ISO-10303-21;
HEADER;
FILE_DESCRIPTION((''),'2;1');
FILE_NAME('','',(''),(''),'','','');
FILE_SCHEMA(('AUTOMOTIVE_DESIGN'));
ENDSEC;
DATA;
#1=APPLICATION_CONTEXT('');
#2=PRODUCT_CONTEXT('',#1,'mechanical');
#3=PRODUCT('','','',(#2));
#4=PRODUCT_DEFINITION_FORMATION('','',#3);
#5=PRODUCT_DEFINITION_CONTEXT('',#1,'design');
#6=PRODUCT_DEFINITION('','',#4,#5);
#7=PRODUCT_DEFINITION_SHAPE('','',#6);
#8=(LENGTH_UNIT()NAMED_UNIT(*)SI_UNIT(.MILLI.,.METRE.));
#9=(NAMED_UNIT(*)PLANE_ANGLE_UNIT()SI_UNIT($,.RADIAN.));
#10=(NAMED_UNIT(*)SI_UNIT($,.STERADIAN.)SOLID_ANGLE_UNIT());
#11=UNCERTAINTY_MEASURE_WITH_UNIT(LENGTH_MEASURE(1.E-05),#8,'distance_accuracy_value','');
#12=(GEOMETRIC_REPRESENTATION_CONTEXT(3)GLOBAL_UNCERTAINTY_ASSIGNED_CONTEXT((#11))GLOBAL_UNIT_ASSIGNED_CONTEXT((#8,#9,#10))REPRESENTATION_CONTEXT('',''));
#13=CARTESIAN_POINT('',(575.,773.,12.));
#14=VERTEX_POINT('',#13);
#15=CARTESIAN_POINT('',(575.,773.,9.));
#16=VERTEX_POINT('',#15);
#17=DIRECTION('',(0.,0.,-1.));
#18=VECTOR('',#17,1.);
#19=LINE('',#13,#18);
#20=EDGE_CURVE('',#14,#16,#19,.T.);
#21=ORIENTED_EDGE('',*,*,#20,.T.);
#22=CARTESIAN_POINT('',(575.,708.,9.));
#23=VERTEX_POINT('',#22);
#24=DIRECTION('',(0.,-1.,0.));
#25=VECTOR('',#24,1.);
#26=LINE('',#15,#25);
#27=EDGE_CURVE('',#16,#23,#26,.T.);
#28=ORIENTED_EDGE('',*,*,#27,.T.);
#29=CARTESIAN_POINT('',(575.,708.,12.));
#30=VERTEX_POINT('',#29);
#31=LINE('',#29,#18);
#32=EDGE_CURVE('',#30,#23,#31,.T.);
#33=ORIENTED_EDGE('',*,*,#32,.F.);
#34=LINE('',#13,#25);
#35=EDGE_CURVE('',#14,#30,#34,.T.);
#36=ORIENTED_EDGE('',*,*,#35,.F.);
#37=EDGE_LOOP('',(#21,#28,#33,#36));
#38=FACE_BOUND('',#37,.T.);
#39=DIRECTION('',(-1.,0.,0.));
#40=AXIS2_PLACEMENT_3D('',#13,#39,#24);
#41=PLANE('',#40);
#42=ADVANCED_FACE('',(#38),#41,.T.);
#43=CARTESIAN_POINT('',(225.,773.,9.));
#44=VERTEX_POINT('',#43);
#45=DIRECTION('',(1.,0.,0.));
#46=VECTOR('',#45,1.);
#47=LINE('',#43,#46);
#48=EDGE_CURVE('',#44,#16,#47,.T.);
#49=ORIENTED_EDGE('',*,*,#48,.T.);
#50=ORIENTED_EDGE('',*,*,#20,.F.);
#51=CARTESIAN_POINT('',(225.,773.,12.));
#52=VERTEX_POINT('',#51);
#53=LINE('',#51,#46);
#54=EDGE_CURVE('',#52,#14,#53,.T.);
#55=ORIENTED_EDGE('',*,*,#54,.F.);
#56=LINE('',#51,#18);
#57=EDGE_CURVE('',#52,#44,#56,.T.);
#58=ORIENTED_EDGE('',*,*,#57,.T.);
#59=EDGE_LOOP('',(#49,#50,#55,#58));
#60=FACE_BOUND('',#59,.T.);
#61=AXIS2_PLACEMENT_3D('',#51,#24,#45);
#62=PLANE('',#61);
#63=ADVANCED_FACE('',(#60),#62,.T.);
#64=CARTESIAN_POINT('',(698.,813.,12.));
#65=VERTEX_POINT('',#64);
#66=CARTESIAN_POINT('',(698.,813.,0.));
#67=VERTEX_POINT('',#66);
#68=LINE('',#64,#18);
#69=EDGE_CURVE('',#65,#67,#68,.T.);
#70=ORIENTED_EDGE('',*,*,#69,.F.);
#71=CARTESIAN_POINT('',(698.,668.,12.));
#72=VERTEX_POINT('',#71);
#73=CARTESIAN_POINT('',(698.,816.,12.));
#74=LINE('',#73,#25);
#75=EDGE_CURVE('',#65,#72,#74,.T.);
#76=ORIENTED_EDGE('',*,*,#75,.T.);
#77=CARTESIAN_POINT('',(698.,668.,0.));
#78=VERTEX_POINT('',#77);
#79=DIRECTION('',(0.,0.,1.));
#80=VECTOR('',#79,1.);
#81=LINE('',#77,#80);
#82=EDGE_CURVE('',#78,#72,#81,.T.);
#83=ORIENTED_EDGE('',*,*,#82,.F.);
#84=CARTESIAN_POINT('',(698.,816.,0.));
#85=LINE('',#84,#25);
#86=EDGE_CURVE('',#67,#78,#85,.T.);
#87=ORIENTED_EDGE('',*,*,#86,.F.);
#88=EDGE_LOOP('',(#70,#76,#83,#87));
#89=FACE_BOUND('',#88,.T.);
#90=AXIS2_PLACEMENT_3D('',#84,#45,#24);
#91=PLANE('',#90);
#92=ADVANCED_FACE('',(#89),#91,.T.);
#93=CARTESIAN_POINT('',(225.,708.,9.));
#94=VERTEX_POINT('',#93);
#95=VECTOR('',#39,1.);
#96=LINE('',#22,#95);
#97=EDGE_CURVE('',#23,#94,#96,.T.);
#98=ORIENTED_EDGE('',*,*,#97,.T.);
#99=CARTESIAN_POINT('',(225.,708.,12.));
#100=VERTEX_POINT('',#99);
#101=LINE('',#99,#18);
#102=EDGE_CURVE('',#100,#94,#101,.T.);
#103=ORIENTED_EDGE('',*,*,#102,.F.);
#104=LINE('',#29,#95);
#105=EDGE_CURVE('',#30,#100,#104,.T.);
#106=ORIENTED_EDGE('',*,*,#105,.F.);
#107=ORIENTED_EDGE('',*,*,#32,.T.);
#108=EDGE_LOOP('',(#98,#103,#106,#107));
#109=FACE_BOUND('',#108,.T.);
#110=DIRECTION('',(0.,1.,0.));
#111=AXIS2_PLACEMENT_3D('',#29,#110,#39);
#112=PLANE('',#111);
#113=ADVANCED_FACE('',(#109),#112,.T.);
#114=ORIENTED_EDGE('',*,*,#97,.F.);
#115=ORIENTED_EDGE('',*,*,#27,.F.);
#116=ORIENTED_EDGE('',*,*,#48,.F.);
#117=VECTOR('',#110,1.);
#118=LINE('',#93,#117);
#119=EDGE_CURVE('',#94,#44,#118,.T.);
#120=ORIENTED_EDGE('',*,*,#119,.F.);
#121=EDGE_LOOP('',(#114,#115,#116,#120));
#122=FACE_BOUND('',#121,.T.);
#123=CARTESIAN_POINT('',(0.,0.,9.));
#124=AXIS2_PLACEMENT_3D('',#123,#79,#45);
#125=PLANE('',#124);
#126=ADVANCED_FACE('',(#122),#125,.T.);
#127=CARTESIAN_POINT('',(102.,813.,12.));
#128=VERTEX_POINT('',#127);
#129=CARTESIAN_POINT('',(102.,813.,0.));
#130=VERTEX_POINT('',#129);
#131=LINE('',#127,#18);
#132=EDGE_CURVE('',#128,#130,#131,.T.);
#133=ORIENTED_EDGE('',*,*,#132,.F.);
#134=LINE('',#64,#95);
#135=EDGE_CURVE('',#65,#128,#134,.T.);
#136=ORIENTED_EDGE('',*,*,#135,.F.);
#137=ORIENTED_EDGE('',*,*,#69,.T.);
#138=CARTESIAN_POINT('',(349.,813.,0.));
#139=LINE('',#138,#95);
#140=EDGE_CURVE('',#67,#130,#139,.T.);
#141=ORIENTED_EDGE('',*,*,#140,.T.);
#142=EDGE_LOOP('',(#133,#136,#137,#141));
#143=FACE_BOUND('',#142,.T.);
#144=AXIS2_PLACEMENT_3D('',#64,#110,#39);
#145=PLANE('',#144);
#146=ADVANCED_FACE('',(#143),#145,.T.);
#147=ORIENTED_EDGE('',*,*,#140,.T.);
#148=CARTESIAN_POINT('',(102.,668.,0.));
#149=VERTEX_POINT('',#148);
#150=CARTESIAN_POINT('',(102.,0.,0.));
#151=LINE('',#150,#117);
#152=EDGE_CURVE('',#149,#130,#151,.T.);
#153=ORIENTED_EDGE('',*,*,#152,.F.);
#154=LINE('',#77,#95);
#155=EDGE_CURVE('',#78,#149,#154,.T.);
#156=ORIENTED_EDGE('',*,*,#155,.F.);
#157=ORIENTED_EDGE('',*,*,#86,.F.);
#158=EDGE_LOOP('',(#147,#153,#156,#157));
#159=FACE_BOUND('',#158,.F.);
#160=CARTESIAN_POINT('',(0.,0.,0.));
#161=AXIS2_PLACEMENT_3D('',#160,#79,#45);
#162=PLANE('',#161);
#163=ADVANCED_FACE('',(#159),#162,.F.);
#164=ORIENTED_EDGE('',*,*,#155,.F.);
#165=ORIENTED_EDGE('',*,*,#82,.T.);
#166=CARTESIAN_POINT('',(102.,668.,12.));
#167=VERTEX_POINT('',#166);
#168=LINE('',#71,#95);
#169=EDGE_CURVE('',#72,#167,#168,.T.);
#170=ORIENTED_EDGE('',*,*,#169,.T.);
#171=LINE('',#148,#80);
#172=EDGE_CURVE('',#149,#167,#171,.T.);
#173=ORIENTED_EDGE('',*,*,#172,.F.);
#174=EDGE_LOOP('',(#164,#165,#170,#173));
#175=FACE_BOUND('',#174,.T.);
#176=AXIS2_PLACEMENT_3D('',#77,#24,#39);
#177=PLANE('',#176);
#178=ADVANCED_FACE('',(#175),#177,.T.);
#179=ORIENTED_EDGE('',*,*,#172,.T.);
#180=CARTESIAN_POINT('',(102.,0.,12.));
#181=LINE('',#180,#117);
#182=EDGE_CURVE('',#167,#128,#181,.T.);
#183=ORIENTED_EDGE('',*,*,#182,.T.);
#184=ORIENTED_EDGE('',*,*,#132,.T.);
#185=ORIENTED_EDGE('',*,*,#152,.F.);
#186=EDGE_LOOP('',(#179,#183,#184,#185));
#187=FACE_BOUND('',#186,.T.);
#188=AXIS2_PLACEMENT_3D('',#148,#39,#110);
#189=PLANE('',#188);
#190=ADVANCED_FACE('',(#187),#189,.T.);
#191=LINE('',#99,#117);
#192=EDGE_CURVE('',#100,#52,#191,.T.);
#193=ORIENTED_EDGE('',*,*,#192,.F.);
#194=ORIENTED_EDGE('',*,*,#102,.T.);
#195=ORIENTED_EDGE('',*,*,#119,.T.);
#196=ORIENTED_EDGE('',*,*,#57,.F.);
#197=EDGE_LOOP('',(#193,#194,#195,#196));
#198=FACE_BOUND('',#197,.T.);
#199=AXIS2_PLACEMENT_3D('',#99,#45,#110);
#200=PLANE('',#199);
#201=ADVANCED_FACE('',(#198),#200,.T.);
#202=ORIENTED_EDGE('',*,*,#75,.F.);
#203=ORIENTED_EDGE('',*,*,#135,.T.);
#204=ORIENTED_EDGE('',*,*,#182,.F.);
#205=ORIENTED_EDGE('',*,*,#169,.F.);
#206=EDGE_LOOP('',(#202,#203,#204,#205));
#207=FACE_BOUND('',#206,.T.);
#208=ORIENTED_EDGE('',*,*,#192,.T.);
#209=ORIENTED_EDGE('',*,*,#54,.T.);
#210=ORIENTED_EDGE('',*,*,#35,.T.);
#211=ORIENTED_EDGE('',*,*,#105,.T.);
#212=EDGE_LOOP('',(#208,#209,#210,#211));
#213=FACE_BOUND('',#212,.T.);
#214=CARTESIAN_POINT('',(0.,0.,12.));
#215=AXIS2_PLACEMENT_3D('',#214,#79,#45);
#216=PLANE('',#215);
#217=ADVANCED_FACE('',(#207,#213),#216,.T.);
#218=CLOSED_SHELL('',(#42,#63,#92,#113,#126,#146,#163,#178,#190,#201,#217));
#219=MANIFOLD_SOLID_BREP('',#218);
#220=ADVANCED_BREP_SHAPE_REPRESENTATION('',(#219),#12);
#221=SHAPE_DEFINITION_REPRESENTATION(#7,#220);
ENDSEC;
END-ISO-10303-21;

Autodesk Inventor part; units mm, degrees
ref_plane "YZ Plane" through (0, 0, 0) normal (1, 0, 0) x (0, 1, 0)
ref_plane "XZ Plane" through (0, 0, 0) normal (0, 1, 0) x (-1, 0, 0)
ref_plane "XY Plane" through (0, 0, 0) normal (0, 0, 1) x (1, 0, 0)
sketch "Sketch1" plane through (0, 0, 0) normal (0, 0, 1) x (1, 0, 0)
  line L0 (-1498, 0) -> (1498, 0) construction
  line L1 (-1498, 0) -> (-898, 0)
  line L2 (-898, 0) -> (-898, 2068)
  line L3 (-898, 2068) -> (-1498, 2068)
  line L4 (-1498, 2068) -> (-1498, 0)
  line L5 (-898, 0) -> (-498, 0)
  line L6 (-498, 0) -> (-498, 816)
  line L7 (-498, 816) -> (-898, 816)
  line L8 (-898, 816) -> (-898, 0)
  line L9 (-498, 0) -> (102, 0)
  line L10 (102, 0) -> (102, 816)
  line L11 (102, 816) -> (-498, 816)
  line L12 (-498, 816) -> (-498, 0)
  line L13 (102, 0) -> (698, 0)
  line L14 (698, 0) -> (698, 668)
  line L15 (698, 668) -> (102, 668)
  line L16 (102, 668) -> (102, 0)
  line L17 (698, 0) -> (1498, 0)
  line L18 (1498, 0) -> (1498, 816)
  line L19 (1498, 816) -> (698, 816)
  line L20 (698, 816) -> (698, 0)
  line L21 (-1498, 0) -> (1498, 0)
  line L22 (1498, 0) -> (1498, 96)
  line L23 (1498, 96) -> (-1498, 96)
  line L24 (-1498, 96) -> (-1498, 0)
  line L25 (-898, 816) -> (1498, 816)
  line L26 (1498, 816) -> (1498, 832)
  line L27 (1498, 832) -> (-898, 832)
  line L28 (-898, 832) -> (-898, 816)
  line L29 (-898, 1972) -> (-498, 1972)
  line L30 (-498, 1972) -> (-498, 1372)
  line L31 (-498, 1372) -> (-898, 1372)
  line L32 (-898, 1372) -> (-898, 1972)
  line L33 (698, 1972) -> (1498, 1972)
  line L34 (1498, 1972) -> (1498, 1372)
  line L35 (1498, 1372) -> (698, 1372)
  line L36 (698, 1372) -> (698, 1972)
  line L37 (698, 1372) -> (98, 1372)
  line L38 (98, 1372) -> (98, 1972)
  line L39 (98, 1972) -> (698, 1972)
  line L40 (698, 1972) -> (698, 1372)
  line L41 (-498, 1372) -> (98, 1372)
  line L42 (-498, 1372) -> (-275, 1637.7611)
  line L43 (98, 1372) -> (-125, 1637.7611)
  line L44 (-275, 1637.7611) -> (-125, 1637.7611)
  line L45 (-125, 1637.7611) -> (-125, 2068)
  line L46 (-125, 2068) -> (-275, 2068)
  line L47 (-275, 2068) -> (-275, 1637.7611)
  line L48 (1098, 816) -> (1098, 96)
  line L49 (-198, 816) -> (-198, 96)
  line L50 (-898, 668) -> (-498, 668)
  line L51 (-1498, 520) -> (-898, 520)
  line L52 (-1498, 1579) -> (-898, 1579)
  line L53 (398, 1972) -> (398, 1372)
  line L54 (1098, 1972) -> (1098, 1372)
  line L55 (698, 1876) -> (1498, 1876)
  line L56 (698, 1468) -> (1498, 1468)
  line L57 (-1498, 1049.5) -> (-898, 1049.5)
  point P0 (0, 0)
  point P1 (0, 0)
  point P2 (0, 0)
  point P3 (-198, 816)
  point P4 (0, 0)
  point P5 (102, 668)
  dimension "d0" = 2996
  dimension "d1" = 600
  dimension "d2" = 2068
  dimension "d3" = 400
  dimension "d4" = 816
  dimension "d5" = 600
  dimension "d6" = 816
  dimension "d7" = 596
  dimension "d8" = 668
  dimension "d9" = 800
  dimension "d10" = 816
  dimension "d11" = 96
  dimension "d12" = 16
  dimension "d13" = 400
  dimension "d14" = 600
  dimension "d15" = 96
  dimension "d16" = 800
  dimension "d17" = 600
  dimension "d18" = 600
  dimension "d19" = 600
  dimension "d20" = 50
  dimension "d21" = 150
  dimension "d22" = 148
  dimension "d23" = 1059
  dimension "d24" = 96
  dimension "d25" = 96
  dimension "d26" = 529.5
extrude "Extrusion1" add sketch "Sketch1" along normal blind 12 contours L10 L25 L20 L15
sketch "Sketch2" plane through (0, 0, 12) normal (0, 0, 1) x (1, 0, 0)
  line L0 (698, 816) -> (102, 816) projected
  line L1 (102, 816) -> (698, 816)
  line L2 (698, 816) -> (698, 813)
  line L3 (698, 813) -> (102, 813)
  line L4 (102, 813) -> (102, 816)
  point P0 (0, 0)
  dimension "d29" = 3
extrude "Extrusion2" cut sketch "Sketch2" against normal blind 67
sketch "Sketch3" plane through (0, 0, 12) normal (0, 0, 1) x (1, 0, 0)
  line L0 (225, 773) -> (575, 773)
  line L1 (575, 773) -> (575, 708)
  line L2 (575, 708) -> (225, 708)
  line L3 (225, 708) -> (225, 773)
  line L4 (698, 668) -> (698, 813) projected
  line L5 (698, 813) -> (102, 813) projected
  point P0 (0, 0)
  point P1 (575, 740.5)
  point P2 (698, 740.5)
  point P3 (400, 773)
  point P4 (400, 813)
  dimension "d32" = 65
  dimension "d33" = 350
extrude "Extrusion3" cut sketch "Sketch3" against normal blind 3
properties part number "Dummy Washing Machine"
